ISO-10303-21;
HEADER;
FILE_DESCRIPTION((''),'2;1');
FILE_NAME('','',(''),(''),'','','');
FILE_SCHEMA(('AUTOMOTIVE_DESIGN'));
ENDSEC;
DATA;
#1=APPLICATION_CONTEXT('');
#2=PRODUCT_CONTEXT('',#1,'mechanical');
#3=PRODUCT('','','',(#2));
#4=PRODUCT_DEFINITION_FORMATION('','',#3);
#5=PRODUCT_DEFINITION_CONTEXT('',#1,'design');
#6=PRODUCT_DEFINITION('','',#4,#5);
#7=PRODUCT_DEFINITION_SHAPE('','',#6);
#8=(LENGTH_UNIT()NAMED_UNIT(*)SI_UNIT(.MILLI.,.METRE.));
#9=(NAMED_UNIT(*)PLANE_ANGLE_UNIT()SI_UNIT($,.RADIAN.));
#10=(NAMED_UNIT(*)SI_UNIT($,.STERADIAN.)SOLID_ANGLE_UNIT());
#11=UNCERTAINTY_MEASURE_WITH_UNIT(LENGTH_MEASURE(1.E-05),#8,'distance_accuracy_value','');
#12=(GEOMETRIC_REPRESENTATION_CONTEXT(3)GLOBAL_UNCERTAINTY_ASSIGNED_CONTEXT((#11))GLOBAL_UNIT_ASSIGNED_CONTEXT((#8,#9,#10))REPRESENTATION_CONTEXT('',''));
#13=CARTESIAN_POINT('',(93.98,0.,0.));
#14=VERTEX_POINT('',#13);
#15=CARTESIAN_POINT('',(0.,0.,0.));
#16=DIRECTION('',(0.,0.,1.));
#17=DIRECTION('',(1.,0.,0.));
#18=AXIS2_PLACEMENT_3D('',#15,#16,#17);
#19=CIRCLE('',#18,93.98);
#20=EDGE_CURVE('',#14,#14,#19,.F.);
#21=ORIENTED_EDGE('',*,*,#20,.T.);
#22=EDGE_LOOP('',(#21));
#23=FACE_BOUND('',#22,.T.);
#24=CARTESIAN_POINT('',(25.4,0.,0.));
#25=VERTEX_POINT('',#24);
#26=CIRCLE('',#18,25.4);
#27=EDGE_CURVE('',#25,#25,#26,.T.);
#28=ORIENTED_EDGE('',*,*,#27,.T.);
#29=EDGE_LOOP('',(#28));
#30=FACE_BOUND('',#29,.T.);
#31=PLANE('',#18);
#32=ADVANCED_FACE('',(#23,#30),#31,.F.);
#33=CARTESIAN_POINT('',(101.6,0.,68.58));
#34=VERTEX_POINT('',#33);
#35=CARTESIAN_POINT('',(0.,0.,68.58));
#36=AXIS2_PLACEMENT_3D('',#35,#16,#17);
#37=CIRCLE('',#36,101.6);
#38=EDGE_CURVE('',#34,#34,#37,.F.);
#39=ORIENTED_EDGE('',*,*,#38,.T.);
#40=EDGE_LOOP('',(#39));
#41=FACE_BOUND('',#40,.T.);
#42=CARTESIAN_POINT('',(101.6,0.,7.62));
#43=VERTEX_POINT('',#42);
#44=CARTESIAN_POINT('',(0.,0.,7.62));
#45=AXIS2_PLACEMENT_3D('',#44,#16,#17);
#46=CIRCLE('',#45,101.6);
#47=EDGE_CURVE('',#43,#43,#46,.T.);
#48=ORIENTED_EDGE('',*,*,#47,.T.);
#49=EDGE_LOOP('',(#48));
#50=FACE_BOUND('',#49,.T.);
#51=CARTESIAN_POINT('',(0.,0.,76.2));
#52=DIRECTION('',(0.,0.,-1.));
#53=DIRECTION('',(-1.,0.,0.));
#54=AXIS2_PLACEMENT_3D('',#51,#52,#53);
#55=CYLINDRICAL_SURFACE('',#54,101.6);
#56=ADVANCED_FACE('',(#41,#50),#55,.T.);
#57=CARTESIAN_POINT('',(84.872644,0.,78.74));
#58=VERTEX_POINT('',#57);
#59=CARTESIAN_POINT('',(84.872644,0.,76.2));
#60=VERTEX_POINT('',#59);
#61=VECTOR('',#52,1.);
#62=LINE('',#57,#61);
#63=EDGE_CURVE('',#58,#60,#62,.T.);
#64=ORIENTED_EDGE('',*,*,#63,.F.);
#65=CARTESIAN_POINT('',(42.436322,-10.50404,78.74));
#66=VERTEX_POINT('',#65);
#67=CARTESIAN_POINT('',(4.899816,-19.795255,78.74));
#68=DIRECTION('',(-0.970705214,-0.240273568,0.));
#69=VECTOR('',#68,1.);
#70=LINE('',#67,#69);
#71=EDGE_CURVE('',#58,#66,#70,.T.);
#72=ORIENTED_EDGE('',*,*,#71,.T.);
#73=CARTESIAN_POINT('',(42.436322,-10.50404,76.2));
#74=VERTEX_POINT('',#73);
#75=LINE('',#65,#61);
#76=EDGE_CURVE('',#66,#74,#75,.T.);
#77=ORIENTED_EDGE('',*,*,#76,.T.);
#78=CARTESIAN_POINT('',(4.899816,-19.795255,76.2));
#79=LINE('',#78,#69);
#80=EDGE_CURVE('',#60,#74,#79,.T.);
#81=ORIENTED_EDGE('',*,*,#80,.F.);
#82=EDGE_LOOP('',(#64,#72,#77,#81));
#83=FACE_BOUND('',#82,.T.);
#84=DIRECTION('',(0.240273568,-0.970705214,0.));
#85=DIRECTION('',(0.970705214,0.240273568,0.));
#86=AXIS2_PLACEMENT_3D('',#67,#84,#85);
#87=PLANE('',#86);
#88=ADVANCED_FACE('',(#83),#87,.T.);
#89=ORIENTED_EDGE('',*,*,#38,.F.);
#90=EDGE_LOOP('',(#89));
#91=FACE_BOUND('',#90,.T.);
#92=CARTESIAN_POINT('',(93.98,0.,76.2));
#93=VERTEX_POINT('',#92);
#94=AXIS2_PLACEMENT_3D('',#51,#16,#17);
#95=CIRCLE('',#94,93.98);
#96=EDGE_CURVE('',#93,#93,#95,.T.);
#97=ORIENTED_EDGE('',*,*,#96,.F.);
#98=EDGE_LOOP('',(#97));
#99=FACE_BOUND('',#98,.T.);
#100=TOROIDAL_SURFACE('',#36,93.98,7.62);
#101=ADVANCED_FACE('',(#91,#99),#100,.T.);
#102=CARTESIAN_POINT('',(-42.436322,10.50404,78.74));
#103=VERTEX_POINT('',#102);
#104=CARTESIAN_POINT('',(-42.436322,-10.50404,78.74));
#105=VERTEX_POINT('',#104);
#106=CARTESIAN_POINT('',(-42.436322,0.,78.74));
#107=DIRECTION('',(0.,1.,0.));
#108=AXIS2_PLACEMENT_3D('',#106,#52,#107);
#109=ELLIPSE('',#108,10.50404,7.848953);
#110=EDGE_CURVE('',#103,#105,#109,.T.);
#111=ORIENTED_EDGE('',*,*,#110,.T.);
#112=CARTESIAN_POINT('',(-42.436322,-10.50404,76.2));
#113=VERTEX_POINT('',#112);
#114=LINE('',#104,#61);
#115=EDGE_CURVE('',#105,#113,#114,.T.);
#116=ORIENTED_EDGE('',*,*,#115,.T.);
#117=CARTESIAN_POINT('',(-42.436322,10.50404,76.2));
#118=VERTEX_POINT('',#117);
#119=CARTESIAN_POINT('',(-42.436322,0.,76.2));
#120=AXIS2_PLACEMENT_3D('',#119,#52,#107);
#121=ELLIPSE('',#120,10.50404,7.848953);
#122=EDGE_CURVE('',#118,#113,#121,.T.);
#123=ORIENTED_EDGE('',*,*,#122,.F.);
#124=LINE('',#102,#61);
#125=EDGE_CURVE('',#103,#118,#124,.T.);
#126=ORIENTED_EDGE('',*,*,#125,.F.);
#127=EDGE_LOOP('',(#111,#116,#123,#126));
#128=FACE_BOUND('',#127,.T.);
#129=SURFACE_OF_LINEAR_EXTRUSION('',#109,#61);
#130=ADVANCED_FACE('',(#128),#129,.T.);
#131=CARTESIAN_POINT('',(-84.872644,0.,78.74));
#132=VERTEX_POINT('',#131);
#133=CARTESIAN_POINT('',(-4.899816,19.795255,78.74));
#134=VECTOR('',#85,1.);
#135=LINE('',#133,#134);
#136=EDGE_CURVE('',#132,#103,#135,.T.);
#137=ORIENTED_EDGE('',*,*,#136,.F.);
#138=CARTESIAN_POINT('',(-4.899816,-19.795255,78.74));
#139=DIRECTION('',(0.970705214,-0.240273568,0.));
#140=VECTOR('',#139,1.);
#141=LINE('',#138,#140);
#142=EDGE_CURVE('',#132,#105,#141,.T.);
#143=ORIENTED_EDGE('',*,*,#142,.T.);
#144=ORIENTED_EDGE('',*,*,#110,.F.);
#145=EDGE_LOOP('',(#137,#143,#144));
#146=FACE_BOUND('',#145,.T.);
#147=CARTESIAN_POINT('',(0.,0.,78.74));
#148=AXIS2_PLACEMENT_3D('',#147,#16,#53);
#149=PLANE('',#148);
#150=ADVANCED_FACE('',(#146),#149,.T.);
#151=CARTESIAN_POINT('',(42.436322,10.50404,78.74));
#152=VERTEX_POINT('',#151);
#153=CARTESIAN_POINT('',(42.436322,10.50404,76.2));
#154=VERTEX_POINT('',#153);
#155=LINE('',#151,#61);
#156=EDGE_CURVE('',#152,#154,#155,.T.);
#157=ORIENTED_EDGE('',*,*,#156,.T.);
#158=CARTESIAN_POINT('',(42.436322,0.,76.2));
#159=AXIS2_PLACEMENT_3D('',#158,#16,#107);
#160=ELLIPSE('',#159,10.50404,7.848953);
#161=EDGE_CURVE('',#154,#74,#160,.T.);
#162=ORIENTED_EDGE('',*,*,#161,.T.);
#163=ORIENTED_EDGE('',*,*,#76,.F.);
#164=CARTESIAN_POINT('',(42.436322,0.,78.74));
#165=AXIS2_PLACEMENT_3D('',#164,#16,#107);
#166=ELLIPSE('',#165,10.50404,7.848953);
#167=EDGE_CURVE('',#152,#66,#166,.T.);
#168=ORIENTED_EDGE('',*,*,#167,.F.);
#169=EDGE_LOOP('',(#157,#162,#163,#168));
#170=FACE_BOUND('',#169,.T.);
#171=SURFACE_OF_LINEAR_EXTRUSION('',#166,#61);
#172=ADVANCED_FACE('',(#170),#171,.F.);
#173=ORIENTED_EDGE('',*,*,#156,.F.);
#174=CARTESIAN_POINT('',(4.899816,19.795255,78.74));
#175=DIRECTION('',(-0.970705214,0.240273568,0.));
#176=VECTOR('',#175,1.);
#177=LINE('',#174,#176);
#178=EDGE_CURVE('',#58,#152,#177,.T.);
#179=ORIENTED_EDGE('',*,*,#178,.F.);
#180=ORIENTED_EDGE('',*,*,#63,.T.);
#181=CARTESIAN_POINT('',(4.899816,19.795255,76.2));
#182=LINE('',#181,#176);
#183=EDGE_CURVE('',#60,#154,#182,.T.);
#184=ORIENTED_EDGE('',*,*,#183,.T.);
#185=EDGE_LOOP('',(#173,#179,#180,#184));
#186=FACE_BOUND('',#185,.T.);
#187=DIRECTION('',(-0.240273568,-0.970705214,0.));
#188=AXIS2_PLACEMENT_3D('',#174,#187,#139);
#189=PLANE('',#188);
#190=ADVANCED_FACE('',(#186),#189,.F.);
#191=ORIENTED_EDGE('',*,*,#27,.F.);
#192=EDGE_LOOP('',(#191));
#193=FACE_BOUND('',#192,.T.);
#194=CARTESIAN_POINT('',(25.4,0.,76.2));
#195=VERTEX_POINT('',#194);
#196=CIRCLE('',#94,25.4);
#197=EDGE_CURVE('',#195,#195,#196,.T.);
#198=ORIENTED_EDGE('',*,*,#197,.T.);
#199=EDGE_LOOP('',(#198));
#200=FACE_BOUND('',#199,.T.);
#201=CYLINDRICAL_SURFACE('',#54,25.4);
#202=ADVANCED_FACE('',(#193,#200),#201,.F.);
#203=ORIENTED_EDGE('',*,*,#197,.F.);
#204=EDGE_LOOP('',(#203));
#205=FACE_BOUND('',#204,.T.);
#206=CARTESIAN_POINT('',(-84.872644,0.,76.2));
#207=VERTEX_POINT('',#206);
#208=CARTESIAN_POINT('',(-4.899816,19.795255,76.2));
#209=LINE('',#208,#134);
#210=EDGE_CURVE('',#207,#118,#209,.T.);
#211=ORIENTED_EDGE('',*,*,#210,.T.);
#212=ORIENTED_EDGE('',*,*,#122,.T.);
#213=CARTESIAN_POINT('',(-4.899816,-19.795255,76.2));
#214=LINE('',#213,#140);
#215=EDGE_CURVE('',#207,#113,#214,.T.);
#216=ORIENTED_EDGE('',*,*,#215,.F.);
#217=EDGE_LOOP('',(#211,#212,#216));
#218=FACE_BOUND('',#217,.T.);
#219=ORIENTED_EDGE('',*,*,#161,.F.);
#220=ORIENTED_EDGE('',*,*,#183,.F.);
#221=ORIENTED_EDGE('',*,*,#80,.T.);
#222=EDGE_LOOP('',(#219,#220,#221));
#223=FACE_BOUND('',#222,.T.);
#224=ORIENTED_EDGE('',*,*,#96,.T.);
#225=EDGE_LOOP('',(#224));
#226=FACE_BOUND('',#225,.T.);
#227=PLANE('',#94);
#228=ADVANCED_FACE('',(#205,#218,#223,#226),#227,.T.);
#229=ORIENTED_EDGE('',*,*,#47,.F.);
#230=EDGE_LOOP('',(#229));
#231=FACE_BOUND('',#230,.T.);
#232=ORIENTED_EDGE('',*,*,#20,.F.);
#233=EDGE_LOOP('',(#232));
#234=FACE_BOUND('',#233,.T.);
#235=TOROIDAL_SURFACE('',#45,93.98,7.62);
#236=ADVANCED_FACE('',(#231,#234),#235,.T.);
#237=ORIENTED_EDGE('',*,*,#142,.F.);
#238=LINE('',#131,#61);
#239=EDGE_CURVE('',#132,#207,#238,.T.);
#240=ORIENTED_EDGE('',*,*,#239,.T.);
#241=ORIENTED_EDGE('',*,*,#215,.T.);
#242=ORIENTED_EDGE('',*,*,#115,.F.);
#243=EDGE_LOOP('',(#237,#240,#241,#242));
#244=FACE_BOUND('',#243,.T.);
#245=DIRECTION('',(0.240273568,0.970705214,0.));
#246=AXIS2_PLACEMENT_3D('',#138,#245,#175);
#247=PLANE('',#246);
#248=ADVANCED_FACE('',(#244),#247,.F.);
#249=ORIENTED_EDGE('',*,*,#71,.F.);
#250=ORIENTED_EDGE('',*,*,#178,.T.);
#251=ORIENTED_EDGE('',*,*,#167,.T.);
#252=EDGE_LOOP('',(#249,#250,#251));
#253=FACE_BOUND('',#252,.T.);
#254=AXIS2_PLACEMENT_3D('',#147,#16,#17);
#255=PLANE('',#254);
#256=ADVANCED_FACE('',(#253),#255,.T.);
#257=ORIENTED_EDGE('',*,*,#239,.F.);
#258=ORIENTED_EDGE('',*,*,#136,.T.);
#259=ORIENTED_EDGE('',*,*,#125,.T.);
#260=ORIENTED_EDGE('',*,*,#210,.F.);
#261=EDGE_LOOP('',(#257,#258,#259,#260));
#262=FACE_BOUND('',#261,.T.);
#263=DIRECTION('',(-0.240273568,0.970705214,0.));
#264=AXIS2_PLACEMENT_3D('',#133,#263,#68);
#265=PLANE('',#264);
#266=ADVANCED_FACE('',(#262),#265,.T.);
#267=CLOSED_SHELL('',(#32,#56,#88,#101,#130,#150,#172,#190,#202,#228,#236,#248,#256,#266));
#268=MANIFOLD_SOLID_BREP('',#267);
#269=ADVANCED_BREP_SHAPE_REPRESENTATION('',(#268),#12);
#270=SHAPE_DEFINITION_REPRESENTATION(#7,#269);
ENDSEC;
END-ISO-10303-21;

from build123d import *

# Parameters (mm, degrees)
SKETCH1_R           = 101.6
SKETCH1_R_2         = 25.4
BOSS_EXTRUDE1_DEPTH = 76.2
FILLET1_R           = 7.62
BOSS_EXTRUDE2_DEPTH = 2.54


with BuildPart() as part:
    # Sketch1 → Boss-Extrude1 (new body)
    with BuildSketch(Plane.XY):
        Circle(SKETCH1_R)
        Circle(SKETCH1_R_2, mode=Mode.SUBTRACT)
    extrude(amount=BOSS_EXTRUDE1_DEPTH)

    # Fillet1
    fillet1_edges = [part.edges().sort_by_distance(p)[0] for p in [
        (-101.6, 0, 0),
        (-101.6, 0, 76.2),
    ]]
    fillet(fillet1_edges, radius=FILLET1_R)

    # Sketch2 → Boss-Extrude2 (add)
    with BuildSketch(Plane.XY.offset(76.2)):
        with BuildLine():
            add(Edge.make_bspline(
                [(42.436322164, 10.50404014), (34.587368685, 10.50404014), (34.587368685, 0)],
                knots=[0, 0, 0, 1.570796327, 1.570796327, 1.570796327], degree=2, weights=[1, 0.707106781, 1]))
            Line((34.587368685, 0), (84.872644329, 0))
            Line((84.872644329, 0), (42.436322164, 10.50404014))
        make_face()
        with BuildLine():
            Line((84.872644329, 0), (34.587368685, 0))
            add(Edge.make_bspline(
                [(34.587368685, 0), (34.587368685, -10.50404014), (42.436322164, -10.50404014)],
                knots=[1.570796327, 1.570796327, 1.570796327, 3.141592654, 3.141592654, 3.141592654], degree=2, weights=[1, 0.707106781, 1]))
            Line((42.436322164, -10.50404014), (84.872644329, 0))
        make_face()
    boss_extrude2 = extrude(amount=BOSS_EXTRUDE2_DEPTH)

    # Mirror1: Boss-Extrude2 across plane
    add(boss_extrude2.mirror(Plane(origin=(0, 0, 0), x_dir=(0, 0, 1), z_dir=(1, 0, 0))))


solid = part.part
